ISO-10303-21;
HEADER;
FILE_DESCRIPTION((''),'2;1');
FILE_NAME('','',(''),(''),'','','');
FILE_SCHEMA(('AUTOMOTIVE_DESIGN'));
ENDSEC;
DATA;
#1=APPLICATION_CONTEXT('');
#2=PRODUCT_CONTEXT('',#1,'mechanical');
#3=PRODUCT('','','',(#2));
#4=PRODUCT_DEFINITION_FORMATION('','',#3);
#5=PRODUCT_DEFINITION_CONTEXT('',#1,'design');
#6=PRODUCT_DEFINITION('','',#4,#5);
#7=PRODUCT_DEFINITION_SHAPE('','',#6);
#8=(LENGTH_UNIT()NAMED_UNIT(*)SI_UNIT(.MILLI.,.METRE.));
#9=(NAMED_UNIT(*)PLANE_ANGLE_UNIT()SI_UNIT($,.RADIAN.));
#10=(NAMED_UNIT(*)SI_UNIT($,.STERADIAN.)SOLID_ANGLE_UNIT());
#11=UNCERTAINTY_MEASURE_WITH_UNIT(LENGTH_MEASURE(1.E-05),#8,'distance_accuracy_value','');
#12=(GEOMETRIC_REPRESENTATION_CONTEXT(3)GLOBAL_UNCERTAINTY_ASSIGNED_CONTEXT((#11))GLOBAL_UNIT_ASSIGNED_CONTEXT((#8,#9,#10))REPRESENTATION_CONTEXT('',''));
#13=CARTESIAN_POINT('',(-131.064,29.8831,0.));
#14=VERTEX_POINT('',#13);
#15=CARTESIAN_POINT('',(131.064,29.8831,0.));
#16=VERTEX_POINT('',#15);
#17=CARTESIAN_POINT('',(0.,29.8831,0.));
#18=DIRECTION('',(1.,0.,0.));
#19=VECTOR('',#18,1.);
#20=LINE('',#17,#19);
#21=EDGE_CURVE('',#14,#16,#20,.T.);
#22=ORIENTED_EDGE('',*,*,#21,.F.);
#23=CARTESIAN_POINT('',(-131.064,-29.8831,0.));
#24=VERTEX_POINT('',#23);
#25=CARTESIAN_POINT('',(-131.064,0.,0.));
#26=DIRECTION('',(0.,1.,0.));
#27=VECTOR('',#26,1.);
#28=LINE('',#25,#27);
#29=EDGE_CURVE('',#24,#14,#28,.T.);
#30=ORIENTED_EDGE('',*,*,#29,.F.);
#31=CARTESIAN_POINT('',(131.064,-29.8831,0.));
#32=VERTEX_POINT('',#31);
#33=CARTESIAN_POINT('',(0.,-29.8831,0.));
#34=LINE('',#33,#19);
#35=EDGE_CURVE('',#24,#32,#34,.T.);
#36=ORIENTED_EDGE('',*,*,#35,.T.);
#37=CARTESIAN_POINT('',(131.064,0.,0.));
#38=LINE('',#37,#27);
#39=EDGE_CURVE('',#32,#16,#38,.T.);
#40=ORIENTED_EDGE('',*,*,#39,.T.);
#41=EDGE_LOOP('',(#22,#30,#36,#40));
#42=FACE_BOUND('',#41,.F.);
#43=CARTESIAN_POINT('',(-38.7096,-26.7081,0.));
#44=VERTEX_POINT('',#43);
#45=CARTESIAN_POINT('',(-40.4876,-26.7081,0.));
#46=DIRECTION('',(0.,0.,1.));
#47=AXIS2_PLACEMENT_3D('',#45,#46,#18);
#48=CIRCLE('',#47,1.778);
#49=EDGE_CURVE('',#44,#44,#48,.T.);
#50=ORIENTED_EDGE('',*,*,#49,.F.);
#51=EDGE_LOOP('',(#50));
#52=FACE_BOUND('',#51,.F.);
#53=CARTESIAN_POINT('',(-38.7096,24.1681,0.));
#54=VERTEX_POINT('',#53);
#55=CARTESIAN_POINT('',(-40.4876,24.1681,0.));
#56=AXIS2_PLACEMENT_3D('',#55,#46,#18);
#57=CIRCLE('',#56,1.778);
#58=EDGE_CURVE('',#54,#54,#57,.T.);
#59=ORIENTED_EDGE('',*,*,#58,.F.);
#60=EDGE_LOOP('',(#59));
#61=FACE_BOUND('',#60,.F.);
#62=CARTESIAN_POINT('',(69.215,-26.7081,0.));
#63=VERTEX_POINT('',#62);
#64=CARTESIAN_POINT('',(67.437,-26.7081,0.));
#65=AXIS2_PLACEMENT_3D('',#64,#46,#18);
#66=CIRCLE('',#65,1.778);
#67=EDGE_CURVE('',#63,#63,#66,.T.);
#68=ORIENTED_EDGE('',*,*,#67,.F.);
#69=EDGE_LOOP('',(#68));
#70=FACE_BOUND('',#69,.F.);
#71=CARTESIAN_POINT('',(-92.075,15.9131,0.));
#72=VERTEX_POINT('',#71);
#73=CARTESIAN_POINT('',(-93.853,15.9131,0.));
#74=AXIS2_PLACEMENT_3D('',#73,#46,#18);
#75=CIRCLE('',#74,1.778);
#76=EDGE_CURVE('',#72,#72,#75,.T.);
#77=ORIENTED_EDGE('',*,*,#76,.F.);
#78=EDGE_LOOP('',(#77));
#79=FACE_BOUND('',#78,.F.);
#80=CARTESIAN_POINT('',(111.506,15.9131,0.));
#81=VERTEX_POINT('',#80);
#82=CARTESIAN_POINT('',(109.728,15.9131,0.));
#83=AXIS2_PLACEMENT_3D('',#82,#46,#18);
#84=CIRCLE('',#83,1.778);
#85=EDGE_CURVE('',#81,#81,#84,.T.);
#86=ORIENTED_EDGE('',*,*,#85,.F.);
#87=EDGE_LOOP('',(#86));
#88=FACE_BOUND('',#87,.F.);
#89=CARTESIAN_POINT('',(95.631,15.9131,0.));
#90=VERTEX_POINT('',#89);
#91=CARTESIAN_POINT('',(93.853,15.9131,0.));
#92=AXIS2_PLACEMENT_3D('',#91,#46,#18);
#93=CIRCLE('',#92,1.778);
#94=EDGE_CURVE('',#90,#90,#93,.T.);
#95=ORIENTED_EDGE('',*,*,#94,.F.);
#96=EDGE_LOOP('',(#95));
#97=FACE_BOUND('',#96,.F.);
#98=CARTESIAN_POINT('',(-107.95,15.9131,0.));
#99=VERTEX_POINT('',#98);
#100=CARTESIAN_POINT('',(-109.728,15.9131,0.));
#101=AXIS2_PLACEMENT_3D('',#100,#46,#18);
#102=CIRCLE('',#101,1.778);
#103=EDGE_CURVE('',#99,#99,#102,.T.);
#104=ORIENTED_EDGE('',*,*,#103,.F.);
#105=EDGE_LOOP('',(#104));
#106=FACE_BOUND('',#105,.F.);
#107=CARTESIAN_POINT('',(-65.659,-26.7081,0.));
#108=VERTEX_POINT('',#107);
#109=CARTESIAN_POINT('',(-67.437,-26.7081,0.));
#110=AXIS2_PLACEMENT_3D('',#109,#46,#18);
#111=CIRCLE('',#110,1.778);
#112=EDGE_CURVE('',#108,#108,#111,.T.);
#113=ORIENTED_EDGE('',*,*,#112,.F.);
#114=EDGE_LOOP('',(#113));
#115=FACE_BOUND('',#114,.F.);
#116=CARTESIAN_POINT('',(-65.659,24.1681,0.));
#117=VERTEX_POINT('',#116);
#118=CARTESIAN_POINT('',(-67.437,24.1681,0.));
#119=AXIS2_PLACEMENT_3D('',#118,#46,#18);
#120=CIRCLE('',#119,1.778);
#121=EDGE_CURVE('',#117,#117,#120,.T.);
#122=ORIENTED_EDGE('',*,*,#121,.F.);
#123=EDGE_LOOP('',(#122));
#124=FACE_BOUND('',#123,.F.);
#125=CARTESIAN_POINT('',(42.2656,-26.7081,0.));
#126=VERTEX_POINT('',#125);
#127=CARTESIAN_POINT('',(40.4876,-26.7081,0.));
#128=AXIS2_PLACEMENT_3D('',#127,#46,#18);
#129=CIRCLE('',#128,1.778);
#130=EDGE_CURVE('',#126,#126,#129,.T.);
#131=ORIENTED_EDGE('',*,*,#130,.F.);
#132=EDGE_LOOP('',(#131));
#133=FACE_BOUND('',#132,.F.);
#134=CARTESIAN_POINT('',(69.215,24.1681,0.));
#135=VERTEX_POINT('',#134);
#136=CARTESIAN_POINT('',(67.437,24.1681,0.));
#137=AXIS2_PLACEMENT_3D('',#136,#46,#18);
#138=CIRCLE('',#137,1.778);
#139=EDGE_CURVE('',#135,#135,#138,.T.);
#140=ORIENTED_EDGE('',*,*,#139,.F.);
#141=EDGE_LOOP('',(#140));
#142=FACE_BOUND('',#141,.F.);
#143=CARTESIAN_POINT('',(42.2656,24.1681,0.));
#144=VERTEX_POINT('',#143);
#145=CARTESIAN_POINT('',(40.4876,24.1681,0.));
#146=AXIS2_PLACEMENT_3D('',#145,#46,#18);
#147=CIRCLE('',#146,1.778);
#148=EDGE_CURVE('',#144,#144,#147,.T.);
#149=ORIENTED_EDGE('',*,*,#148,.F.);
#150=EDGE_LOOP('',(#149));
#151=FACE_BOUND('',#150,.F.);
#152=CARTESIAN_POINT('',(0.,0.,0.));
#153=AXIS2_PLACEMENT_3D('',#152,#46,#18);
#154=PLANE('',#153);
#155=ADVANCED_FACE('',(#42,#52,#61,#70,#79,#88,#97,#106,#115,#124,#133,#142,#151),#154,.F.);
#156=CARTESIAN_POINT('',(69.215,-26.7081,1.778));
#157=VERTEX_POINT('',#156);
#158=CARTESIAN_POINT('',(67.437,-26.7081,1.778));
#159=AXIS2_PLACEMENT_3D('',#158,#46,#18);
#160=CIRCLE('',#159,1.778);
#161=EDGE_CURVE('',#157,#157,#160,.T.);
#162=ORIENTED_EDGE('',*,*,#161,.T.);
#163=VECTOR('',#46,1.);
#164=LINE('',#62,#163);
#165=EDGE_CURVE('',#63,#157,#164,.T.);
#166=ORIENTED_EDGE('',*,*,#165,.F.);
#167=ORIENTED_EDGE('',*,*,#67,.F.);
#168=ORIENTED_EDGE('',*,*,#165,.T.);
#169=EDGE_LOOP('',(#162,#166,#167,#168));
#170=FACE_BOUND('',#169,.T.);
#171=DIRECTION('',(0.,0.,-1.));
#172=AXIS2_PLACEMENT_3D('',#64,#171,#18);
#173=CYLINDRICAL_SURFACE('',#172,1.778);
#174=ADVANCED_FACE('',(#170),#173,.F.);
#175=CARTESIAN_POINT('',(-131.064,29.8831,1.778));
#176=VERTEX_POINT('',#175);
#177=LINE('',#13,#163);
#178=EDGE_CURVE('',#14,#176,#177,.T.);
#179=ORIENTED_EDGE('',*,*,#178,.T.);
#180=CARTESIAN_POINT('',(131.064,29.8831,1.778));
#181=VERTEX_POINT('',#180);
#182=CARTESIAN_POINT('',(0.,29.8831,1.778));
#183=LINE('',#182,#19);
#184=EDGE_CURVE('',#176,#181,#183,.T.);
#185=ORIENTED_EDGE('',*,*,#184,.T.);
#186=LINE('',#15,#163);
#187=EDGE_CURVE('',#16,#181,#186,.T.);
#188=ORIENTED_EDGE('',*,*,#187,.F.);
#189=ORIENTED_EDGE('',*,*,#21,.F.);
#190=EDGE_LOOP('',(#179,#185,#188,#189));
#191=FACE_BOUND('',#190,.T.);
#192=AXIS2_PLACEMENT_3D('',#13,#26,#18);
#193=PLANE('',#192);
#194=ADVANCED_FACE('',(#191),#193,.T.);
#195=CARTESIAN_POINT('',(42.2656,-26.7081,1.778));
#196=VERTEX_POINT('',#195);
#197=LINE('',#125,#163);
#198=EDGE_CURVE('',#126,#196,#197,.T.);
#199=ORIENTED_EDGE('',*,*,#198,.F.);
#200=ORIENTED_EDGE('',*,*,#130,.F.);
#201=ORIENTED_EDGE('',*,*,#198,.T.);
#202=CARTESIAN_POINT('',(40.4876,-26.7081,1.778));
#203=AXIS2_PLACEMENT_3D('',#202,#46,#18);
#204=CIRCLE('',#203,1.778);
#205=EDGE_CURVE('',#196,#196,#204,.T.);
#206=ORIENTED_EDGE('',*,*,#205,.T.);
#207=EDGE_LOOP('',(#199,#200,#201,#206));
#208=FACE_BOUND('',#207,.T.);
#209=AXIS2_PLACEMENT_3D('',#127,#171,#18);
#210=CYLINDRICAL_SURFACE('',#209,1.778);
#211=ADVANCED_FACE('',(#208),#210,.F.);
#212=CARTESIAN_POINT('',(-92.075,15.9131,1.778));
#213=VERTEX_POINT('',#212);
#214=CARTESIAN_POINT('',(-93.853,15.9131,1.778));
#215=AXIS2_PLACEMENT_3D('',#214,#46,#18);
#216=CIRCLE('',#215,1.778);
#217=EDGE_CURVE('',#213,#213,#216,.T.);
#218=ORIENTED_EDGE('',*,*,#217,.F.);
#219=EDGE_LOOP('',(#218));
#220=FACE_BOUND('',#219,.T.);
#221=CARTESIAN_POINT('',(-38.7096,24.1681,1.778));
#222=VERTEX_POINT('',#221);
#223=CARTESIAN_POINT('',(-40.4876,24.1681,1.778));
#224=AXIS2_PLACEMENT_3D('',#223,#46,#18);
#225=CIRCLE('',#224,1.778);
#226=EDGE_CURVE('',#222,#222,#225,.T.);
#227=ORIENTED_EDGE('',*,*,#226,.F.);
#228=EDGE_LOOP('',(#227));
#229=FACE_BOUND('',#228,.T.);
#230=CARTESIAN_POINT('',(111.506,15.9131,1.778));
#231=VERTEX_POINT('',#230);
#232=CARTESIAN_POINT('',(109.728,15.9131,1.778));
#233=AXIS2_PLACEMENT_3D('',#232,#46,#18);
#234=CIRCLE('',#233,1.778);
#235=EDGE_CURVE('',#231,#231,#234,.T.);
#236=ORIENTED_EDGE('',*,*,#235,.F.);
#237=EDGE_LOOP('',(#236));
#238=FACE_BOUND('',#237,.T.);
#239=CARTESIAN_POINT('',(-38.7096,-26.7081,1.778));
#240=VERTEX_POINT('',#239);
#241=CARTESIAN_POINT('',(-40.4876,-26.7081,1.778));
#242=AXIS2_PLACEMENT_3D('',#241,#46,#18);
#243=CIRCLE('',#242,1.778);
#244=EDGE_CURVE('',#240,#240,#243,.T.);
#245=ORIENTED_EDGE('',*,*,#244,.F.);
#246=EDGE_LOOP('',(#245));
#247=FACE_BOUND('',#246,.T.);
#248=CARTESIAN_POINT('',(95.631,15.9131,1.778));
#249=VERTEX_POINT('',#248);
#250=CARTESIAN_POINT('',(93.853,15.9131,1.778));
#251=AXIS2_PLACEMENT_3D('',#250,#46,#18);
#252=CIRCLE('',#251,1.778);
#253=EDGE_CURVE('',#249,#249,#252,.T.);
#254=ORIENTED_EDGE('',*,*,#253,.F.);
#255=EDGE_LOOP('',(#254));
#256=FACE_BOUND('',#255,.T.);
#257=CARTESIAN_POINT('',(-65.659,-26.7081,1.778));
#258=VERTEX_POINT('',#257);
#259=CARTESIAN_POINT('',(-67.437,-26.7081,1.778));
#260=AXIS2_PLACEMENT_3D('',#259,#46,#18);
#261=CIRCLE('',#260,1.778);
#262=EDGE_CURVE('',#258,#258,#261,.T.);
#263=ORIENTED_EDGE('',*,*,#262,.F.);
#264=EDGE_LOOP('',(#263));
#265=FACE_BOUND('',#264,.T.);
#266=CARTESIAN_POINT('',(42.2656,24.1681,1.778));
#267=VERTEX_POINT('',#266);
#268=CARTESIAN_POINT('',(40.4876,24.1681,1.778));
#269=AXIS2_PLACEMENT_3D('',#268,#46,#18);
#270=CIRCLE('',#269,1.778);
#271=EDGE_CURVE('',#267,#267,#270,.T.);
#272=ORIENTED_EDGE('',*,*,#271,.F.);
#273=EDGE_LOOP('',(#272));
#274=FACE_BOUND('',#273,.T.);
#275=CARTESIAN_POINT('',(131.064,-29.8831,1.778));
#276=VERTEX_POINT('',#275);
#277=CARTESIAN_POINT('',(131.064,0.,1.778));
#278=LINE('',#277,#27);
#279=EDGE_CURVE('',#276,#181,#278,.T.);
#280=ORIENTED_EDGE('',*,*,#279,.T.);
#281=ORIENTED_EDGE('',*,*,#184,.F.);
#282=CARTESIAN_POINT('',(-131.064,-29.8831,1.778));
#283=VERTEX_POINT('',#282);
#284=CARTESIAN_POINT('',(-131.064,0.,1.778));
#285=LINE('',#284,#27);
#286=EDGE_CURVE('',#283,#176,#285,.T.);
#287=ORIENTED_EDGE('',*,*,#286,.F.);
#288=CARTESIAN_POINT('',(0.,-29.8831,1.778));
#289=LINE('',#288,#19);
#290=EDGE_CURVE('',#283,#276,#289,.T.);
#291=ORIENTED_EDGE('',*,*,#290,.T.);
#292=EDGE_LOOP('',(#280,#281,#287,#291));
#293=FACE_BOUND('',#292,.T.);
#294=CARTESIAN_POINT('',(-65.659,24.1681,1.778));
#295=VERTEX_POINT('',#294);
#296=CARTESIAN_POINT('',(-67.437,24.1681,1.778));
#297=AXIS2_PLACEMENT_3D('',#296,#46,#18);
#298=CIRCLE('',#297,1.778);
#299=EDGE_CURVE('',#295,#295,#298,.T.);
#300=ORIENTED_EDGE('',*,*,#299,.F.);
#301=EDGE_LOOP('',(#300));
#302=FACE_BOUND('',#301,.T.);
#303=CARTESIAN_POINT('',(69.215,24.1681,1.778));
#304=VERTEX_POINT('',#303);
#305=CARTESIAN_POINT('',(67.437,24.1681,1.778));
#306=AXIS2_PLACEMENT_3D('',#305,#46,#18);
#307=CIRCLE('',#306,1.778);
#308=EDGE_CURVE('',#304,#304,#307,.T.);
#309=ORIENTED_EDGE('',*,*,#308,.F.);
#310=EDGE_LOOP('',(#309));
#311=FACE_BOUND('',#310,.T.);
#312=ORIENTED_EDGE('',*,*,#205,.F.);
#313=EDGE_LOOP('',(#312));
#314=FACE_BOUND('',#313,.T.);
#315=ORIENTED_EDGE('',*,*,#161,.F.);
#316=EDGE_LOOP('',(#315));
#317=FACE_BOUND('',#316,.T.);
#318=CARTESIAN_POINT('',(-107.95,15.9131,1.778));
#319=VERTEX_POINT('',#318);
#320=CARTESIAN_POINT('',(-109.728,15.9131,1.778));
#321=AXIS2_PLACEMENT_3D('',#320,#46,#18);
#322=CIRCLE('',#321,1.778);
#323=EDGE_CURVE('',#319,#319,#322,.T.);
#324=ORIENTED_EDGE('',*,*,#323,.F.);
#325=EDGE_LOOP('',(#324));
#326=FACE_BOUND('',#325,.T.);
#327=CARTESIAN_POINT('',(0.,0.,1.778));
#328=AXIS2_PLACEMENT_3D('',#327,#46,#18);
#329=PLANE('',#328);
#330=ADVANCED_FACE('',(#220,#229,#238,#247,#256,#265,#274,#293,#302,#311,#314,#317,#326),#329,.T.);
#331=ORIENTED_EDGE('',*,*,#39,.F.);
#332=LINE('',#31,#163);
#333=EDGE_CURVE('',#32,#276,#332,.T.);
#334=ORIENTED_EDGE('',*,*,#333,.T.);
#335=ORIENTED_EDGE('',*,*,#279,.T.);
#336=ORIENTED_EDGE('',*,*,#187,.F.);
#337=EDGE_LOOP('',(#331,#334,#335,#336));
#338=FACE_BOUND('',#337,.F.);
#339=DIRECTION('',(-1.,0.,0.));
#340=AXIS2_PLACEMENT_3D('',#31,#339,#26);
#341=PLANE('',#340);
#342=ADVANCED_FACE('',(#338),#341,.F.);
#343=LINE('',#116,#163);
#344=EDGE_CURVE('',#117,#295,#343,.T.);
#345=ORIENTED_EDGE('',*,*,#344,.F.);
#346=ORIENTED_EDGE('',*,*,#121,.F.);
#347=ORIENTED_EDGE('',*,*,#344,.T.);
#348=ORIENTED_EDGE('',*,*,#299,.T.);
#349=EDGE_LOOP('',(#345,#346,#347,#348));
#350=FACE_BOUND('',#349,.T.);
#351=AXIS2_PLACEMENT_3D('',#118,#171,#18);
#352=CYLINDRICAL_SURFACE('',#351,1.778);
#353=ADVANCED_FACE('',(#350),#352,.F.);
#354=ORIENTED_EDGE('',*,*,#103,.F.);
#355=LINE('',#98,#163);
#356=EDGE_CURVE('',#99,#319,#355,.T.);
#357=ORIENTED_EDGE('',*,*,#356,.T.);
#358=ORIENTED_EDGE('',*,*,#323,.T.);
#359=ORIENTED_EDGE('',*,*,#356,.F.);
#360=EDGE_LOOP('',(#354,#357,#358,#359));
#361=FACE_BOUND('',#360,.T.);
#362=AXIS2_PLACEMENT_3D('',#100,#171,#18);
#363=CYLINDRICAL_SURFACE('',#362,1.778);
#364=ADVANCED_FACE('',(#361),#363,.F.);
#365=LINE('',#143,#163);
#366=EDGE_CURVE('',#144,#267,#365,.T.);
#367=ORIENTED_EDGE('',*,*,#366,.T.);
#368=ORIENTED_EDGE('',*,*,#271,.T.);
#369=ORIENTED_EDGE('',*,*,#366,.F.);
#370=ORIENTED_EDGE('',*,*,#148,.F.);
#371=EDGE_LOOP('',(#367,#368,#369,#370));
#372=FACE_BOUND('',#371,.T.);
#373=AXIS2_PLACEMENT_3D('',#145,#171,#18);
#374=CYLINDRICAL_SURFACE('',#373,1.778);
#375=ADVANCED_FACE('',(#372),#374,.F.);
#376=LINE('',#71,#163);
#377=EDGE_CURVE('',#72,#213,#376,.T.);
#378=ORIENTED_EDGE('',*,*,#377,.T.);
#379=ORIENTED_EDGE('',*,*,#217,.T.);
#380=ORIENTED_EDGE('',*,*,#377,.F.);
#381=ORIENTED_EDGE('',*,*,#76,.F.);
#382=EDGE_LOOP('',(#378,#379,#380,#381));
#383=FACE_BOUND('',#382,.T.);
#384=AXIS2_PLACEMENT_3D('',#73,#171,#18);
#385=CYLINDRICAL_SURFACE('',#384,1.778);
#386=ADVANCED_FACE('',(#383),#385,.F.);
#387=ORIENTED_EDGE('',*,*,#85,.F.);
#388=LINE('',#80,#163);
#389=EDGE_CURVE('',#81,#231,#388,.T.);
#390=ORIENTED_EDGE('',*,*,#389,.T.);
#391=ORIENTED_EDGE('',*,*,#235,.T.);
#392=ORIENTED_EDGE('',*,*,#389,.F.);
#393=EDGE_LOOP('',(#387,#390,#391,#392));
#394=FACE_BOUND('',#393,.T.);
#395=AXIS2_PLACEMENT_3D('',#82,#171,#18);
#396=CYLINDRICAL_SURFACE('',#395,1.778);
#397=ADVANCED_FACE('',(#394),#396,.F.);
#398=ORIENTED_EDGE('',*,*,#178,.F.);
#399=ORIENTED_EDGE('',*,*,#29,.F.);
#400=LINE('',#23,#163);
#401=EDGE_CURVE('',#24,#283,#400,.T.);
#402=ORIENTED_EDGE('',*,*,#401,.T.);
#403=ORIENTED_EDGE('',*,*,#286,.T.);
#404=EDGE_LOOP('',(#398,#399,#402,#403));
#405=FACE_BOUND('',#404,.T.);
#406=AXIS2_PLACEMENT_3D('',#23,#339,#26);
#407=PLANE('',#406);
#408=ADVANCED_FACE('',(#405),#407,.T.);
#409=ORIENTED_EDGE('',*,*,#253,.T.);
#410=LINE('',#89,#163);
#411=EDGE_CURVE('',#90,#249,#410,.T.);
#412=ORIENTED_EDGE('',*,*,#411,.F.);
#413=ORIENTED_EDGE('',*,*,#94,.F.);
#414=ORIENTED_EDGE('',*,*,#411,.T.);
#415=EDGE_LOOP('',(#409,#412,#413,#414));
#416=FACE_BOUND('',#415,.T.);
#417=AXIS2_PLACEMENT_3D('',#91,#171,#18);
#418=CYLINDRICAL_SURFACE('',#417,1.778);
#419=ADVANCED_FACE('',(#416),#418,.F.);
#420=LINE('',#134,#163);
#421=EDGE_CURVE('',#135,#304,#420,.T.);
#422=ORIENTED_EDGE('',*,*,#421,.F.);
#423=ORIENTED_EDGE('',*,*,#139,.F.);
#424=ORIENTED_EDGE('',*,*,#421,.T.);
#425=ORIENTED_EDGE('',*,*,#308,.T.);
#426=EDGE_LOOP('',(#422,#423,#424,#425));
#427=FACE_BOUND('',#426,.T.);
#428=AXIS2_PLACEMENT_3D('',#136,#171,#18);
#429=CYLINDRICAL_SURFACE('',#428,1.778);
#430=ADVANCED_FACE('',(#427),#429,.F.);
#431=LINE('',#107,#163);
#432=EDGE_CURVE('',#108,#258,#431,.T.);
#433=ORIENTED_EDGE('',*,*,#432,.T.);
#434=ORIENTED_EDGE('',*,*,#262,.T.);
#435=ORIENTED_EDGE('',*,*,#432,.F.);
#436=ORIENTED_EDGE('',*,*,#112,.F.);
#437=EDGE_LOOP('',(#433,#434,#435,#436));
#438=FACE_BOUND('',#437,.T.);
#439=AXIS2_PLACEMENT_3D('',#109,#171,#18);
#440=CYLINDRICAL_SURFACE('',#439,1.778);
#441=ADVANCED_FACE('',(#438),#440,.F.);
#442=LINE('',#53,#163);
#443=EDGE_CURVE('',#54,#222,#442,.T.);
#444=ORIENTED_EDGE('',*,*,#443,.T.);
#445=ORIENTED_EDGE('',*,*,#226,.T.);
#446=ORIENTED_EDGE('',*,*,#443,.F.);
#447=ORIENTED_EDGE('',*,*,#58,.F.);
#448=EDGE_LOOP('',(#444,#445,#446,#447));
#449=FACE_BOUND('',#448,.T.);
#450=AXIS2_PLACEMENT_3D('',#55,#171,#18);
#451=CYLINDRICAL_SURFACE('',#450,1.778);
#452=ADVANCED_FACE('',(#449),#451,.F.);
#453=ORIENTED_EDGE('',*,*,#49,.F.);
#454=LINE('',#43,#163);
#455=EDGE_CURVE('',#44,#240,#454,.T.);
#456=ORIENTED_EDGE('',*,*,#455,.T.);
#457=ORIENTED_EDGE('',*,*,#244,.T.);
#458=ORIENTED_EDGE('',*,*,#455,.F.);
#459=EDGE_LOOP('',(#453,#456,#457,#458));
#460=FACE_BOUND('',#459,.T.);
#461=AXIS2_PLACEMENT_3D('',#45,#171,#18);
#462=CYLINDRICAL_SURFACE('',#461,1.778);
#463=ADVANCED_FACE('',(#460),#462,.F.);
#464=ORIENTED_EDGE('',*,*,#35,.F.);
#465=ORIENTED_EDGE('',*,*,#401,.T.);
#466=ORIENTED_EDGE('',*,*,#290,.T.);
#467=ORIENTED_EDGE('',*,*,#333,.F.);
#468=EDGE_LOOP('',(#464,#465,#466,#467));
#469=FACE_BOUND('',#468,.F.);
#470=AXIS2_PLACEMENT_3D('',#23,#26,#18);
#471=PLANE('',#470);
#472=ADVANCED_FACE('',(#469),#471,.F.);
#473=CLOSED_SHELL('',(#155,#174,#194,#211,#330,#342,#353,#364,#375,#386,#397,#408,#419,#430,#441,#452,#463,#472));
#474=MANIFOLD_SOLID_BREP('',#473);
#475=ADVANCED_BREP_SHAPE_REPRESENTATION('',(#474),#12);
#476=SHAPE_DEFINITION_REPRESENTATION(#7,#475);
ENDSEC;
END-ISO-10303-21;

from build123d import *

# Parameters (mm, degrees)
F0_W     = 262.128
F0_H     = 59.7662
F0_R     = 1.778
F1_DEPTH = 1.778


with BuildPart() as f1:
    # F0 (on Top) → F1 (new body)
    with BuildSketch(Plane.XY):
        Rectangle(F0_W, F0_H)
        with Locations((-67.437, -26.7081)):
            Circle(F0_R, mode=Mode.SUBTRACT)
        with Locations((-40.4876, -26.7081)):
            Circle(F0_R, mode=Mode.SUBTRACT)
        with Locations((40.4876, -26.7081)):
            Circle(F0_R, mode=Mode.SUBTRACT)
        with Locations((67.437, -26.7081)):
            Circle(F0_R, mode=Mode.SUBTRACT)
        with Locations((-109.728, 15.9131)):
            Circle(F0_R, mode=Mode.SUBTRACT)
        with Locations((-93.853, 15.9131)):
            Circle(F0_R, mode=Mode.SUBTRACT)
        with Locations((-67.437, 24.1681)):
            Circle(F0_R, mode=Mode.SUBTRACT)
        with Locations((-40.4876, 24.1681)):
            Circle(F0_R, mode=Mode.SUBTRACT)
        with Locations((40.4876, 24.1681)):
            Circle(F0_R, mode=Mode.SUBTRACT)
        with Locations((93.853, 15.9131)):
            Circle(F0_R, mode=Mode.SUBTRACT)
        with Locations((109.728, 15.9131)):
            Circle(F0_R, mode=Mode.SUBTRACT)
        with Locations((67.437, 24.1681)):
            Circle(F0_R, mode=Mode.SUBTRACT)
    extrude(amount=F1_DEPTH)


solid = f1.part
